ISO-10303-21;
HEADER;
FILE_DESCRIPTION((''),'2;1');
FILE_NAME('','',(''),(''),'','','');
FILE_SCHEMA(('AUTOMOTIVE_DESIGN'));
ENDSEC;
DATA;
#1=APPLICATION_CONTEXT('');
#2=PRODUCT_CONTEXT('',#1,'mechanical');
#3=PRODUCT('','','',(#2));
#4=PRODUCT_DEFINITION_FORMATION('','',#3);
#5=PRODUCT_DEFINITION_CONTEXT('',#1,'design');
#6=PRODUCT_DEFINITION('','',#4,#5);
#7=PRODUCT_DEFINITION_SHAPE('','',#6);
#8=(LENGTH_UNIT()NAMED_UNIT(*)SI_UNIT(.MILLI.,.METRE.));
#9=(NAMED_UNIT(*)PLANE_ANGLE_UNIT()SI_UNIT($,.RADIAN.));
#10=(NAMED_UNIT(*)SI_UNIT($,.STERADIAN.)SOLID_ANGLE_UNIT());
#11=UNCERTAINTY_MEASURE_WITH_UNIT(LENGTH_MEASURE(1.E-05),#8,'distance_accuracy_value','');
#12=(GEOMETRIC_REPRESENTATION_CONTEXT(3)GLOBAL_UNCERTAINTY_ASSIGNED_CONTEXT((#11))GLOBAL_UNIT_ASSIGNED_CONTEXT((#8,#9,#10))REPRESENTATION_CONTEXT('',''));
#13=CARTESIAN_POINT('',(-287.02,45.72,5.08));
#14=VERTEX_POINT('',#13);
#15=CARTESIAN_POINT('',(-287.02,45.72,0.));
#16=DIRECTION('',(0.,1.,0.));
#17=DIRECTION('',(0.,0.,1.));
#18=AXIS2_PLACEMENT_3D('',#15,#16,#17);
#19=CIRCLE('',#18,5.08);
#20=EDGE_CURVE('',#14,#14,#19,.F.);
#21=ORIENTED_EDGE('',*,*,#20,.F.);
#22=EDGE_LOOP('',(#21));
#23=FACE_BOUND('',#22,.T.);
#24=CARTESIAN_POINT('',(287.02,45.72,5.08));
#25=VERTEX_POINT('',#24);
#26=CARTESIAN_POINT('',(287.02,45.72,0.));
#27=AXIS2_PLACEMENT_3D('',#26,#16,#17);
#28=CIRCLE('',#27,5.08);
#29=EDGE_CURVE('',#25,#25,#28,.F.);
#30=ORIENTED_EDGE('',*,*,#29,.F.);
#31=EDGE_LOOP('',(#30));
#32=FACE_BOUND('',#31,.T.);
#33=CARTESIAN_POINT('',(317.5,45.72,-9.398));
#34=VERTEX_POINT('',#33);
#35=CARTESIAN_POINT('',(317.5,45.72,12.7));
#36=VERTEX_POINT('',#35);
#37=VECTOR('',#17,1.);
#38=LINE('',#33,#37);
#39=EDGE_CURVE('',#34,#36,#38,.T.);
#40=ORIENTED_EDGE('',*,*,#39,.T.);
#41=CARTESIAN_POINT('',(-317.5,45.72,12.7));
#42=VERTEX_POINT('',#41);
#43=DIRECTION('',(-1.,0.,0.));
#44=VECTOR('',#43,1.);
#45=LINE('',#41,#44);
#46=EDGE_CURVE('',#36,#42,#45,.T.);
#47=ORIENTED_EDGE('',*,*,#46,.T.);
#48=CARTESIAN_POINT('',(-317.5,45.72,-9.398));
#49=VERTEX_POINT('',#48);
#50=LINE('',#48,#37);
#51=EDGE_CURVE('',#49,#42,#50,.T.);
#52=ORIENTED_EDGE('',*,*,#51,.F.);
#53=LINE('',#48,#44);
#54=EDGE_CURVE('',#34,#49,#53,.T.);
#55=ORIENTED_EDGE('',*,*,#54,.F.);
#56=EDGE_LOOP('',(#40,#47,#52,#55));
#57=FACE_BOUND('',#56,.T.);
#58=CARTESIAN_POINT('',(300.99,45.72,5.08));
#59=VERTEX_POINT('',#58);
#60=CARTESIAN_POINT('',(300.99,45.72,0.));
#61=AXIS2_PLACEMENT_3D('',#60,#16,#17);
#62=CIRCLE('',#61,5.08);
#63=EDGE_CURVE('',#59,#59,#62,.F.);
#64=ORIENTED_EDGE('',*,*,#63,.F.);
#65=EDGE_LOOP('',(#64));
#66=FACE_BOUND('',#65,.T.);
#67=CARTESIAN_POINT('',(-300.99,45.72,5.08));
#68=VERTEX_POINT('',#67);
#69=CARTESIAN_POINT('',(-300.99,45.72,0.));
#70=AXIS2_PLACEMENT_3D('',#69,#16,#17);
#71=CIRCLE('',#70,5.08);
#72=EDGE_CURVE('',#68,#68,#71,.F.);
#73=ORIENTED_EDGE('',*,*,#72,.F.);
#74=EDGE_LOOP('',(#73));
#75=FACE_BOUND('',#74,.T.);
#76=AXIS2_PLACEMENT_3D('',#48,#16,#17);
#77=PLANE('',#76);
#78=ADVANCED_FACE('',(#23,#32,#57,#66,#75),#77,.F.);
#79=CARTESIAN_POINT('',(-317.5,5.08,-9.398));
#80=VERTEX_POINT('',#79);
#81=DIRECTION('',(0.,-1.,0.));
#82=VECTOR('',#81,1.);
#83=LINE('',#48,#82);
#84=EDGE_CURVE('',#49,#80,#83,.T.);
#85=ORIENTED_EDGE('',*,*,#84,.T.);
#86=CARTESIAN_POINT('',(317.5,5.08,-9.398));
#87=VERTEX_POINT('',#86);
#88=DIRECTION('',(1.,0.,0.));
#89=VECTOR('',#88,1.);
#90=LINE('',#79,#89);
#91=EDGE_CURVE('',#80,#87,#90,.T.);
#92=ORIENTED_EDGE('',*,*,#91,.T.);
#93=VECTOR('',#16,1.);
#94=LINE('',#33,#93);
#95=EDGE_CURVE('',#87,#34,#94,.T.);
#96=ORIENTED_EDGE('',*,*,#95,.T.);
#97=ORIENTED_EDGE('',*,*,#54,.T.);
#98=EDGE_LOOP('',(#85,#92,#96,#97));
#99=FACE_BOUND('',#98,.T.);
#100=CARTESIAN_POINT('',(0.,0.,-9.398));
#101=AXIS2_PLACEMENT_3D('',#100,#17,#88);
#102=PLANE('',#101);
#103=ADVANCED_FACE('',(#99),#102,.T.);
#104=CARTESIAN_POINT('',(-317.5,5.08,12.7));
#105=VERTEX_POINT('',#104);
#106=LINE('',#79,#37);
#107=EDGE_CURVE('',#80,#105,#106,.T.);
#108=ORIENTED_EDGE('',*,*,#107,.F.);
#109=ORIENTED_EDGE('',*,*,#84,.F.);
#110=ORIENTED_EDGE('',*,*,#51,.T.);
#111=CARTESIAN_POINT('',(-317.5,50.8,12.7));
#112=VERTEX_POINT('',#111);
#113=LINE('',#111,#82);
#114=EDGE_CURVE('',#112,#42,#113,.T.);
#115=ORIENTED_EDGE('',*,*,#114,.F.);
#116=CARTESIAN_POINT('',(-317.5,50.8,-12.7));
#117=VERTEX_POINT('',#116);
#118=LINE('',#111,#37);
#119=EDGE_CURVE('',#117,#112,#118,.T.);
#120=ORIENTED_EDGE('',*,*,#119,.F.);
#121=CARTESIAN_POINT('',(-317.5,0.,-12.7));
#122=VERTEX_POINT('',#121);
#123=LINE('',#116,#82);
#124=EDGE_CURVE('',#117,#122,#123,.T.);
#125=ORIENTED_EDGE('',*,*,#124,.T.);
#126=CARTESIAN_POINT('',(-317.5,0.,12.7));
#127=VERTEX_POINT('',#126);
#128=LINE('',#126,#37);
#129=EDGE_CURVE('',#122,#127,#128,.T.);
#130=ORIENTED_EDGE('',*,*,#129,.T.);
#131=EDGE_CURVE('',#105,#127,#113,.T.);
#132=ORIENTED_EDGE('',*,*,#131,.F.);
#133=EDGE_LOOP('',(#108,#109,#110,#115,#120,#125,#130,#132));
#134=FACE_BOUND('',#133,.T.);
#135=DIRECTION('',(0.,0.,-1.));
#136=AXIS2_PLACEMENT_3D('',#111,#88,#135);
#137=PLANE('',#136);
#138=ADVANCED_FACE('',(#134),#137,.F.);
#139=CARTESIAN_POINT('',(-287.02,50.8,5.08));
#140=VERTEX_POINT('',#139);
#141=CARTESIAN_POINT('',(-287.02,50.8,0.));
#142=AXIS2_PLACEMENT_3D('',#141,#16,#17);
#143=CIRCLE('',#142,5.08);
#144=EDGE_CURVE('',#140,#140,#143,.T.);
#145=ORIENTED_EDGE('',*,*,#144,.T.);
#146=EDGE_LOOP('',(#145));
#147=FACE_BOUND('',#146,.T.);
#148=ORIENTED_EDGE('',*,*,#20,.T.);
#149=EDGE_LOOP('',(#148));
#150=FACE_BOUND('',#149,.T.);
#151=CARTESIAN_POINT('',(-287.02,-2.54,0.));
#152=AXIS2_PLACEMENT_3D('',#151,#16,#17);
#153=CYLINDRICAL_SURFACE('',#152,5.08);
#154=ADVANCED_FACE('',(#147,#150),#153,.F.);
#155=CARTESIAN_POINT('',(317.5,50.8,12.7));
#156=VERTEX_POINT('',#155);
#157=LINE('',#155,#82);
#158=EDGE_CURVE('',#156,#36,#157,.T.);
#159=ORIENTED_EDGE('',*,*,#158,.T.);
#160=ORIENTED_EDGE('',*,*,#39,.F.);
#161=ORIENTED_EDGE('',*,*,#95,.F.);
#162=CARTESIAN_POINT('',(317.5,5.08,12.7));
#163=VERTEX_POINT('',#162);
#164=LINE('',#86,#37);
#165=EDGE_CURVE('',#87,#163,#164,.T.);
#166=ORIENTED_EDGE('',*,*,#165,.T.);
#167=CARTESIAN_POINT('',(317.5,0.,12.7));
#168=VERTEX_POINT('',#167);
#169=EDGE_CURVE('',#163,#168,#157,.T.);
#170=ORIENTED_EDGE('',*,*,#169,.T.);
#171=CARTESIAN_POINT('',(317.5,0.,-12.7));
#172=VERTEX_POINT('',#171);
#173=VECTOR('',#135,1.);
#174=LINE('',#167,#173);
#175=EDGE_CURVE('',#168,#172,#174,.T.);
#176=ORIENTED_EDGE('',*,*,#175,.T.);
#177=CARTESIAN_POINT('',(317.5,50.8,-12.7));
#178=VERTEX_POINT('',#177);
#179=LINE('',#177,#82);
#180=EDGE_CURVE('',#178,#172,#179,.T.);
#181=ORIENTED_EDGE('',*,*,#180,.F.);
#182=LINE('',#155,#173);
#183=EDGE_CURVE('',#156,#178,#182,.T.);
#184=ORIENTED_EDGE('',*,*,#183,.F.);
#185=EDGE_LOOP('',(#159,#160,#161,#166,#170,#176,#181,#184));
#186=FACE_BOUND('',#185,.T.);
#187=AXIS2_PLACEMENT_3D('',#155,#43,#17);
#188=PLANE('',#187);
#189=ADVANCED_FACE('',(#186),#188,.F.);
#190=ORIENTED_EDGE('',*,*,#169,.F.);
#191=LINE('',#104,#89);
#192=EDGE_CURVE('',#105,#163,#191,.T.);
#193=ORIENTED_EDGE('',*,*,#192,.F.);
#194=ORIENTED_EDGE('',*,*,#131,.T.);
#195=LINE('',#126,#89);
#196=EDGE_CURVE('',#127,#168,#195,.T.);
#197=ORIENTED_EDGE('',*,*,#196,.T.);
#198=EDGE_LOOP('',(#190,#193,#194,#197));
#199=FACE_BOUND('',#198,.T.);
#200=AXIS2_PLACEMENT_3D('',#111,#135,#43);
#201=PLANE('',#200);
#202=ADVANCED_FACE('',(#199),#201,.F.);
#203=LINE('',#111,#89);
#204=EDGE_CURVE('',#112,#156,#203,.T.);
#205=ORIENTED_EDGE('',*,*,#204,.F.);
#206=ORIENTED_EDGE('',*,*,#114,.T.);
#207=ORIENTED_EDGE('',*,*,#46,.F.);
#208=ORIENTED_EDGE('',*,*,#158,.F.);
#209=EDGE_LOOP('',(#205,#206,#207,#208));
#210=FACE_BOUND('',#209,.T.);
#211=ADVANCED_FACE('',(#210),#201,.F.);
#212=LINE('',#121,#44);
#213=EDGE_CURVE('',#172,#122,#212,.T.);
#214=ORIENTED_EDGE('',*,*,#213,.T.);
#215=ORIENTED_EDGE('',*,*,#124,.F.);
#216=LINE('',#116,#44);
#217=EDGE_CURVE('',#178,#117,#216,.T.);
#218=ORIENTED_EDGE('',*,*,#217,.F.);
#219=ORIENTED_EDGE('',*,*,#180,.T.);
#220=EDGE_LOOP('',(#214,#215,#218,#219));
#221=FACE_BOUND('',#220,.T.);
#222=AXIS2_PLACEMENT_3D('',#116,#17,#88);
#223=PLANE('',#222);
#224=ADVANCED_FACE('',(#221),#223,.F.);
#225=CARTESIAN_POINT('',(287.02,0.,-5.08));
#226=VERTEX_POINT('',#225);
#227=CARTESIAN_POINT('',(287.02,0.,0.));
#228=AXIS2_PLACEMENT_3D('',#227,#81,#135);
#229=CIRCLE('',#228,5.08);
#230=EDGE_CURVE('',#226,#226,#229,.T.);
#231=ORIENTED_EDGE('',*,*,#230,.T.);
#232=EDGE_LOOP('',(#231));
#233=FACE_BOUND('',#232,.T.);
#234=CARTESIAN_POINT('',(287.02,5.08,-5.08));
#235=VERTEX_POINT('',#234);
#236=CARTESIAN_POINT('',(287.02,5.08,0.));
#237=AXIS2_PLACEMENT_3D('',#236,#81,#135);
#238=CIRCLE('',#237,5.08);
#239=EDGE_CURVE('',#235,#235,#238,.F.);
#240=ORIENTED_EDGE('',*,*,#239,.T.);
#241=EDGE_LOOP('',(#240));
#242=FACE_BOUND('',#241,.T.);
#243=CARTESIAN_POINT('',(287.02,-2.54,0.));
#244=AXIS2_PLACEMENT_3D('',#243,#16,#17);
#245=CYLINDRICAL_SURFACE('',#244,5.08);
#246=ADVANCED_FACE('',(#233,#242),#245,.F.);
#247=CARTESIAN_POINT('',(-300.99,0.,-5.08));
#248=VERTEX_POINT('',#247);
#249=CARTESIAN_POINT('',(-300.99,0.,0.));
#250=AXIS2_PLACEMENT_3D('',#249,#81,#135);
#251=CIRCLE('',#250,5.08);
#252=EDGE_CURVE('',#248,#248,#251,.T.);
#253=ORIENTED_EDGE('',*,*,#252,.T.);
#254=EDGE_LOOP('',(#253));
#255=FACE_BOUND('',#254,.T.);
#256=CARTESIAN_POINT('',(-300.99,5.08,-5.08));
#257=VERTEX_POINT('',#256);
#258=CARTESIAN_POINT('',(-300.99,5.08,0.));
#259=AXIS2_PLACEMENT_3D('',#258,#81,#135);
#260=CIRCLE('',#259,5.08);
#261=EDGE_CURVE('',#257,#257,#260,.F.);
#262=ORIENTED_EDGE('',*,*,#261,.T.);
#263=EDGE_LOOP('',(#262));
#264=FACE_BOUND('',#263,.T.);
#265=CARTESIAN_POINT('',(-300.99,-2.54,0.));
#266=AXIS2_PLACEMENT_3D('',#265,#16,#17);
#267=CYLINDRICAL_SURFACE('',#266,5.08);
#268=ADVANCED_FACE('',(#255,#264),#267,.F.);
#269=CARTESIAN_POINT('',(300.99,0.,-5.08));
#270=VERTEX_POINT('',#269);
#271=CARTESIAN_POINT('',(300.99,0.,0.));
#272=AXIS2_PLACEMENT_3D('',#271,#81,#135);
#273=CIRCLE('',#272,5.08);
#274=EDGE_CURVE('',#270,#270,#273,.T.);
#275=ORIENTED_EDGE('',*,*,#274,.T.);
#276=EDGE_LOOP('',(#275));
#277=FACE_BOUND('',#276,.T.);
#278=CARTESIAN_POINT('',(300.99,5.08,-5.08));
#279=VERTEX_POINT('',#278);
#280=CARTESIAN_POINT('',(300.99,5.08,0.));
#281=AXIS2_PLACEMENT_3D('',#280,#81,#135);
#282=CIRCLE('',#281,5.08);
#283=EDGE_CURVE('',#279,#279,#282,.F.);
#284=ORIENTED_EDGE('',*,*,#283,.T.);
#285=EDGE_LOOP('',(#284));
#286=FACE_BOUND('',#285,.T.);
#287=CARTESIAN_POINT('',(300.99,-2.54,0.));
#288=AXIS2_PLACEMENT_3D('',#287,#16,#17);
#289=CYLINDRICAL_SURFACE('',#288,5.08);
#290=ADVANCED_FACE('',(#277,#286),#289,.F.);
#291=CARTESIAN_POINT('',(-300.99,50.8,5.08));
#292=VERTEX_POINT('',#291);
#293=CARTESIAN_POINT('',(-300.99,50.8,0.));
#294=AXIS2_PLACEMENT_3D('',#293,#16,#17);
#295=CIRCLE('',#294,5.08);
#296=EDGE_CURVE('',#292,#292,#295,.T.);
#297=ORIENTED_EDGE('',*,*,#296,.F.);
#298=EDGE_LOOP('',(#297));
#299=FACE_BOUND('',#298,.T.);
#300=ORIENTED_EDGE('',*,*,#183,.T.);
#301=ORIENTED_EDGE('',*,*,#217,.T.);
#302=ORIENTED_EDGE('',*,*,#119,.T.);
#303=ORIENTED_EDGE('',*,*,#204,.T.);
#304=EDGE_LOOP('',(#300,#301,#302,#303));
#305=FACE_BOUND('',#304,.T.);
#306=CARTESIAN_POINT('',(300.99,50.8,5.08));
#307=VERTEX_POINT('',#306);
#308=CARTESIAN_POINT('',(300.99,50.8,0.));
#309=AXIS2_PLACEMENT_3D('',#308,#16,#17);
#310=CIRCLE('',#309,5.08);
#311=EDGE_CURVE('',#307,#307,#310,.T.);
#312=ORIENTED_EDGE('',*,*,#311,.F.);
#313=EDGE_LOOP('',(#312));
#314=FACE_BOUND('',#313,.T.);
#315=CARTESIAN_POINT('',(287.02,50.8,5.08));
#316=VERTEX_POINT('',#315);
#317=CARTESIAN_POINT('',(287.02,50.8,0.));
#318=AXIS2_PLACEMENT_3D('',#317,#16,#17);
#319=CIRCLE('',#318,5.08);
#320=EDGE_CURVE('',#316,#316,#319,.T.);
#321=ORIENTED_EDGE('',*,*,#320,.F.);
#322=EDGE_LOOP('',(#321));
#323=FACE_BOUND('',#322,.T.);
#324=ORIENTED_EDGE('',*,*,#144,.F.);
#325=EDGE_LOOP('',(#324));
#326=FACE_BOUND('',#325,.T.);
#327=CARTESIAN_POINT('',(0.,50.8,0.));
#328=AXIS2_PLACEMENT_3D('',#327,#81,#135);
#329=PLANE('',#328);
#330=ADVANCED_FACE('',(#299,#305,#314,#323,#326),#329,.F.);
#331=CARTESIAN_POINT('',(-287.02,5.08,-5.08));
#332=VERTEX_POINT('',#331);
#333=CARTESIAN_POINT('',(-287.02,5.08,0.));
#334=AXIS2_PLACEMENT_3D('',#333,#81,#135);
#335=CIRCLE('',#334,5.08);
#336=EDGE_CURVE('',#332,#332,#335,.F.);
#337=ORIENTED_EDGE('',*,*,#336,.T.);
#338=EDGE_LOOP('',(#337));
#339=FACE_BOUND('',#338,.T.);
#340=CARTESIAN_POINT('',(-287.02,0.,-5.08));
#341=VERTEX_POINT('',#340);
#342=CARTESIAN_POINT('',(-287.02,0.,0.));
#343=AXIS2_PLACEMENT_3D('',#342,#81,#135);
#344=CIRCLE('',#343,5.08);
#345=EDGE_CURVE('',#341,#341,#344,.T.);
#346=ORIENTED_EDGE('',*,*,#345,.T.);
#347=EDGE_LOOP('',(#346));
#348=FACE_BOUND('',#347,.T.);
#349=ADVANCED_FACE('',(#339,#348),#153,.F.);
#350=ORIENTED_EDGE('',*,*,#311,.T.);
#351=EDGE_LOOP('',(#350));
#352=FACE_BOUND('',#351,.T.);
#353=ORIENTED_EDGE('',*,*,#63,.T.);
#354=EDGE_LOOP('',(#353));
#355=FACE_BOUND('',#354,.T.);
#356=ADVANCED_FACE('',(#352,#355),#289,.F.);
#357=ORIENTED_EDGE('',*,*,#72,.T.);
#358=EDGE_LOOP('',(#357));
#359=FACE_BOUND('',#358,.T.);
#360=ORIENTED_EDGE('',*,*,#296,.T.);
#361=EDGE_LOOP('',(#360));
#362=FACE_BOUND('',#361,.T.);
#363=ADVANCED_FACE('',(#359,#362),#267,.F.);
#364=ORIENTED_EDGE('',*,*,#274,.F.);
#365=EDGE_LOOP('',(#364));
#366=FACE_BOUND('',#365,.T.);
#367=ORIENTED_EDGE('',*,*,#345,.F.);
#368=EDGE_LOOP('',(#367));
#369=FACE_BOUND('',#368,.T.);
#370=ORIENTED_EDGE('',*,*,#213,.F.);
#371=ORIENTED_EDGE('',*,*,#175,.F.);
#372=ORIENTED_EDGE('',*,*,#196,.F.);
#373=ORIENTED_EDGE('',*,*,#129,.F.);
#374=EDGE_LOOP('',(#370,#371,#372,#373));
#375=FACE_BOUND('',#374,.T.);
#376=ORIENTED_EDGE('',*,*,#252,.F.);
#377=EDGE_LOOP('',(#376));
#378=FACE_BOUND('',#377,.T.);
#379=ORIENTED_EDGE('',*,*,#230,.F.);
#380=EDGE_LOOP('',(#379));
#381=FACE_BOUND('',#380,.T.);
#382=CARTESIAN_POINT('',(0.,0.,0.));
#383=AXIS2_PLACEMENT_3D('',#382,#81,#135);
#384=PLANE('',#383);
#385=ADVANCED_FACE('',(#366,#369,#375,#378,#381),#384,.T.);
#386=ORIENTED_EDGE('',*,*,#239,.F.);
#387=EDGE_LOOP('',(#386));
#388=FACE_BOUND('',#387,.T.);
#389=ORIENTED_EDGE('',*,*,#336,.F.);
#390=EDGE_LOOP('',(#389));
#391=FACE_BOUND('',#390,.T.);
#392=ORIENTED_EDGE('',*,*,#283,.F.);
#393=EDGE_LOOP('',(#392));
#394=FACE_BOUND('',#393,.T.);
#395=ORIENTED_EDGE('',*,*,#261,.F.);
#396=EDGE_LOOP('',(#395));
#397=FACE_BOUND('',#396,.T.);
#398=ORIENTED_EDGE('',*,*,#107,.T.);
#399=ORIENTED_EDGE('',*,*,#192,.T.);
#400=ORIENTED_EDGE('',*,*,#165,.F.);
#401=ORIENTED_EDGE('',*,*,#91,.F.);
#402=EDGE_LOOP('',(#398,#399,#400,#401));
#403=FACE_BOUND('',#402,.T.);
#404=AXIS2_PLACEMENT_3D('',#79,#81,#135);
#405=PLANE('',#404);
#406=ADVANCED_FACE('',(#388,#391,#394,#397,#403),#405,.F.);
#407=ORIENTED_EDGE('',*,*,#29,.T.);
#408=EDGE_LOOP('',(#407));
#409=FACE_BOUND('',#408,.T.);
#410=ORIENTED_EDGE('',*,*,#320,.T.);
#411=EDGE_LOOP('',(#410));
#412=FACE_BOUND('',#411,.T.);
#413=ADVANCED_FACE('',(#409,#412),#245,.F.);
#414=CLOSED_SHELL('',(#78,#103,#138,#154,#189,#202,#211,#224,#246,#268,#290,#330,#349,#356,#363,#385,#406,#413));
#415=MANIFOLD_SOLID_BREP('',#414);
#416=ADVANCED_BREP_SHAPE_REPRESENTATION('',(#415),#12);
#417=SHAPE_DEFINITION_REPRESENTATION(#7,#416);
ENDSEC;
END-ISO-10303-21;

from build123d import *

# Parameters (mm, degrees)
SKETCH1_W           = 635
SKETCH1_H           = 25.4
BOSS_EXTRUDE1_DEPTH = 50.8
SKETCH2_R           = 5.08
CUT_EXTRUDE1_DEPTH  = 53.34
SKETCH3_W           = 635
SKETCH3_H           = 40.64
CUT_EXTRUDE2_DEPTH  = 22.098


with BuildPart() as part:
    # Sketch1 → Boss-Extrude1 (new body)
    with BuildSketch(Plane(origin=(0, 0, 0), x_dir=(1, 0, 0), z_dir=(0, 1, 0))):
        Rectangle(SKETCH1_W, SKETCH1_H)
    extrude(amount=BOSS_EXTRUDE1_DEPTH)

    # Sketch2 → Cut-Extrude1 (cut)
    with BuildSketch(Plane(origin=(0, 50.8, 0), x_dir=(1, 0, 0), z_dir=(0, 1, 0))):
        with Locations(Location((-300.99, 0, 0), (0, 0, 270))):
            Circle(SKETCH2_R)
        with Locations(Location((-287.02, 0, 0), (0, 0, 270))):
            Circle(SKETCH2_R)
        with Locations(Location((300.99, 0, 0), (0, 0, 270))):
            Circle(SKETCH2_R)
        with Locations(Location((287.02, 0, 0), (0, 0, 270))):
            Circle(SKETCH2_R)
    extrude(amount=-CUT_EXTRUDE1_DEPTH, mode=Mode.SUBTRACT)

    # Sketch3 → Cut-Extrude2 (cut)
    with BuildSketch(Plane.XY.offset(12.7)):
        with Locations((0, 25.4)):
            Rectangle(SKETCH3_W, SKETCH3_H)
    extrude(amount=-CUT_EXTRUDE2_DEPTH, mode=Mode.SUBTRACT)


solid = part.part
